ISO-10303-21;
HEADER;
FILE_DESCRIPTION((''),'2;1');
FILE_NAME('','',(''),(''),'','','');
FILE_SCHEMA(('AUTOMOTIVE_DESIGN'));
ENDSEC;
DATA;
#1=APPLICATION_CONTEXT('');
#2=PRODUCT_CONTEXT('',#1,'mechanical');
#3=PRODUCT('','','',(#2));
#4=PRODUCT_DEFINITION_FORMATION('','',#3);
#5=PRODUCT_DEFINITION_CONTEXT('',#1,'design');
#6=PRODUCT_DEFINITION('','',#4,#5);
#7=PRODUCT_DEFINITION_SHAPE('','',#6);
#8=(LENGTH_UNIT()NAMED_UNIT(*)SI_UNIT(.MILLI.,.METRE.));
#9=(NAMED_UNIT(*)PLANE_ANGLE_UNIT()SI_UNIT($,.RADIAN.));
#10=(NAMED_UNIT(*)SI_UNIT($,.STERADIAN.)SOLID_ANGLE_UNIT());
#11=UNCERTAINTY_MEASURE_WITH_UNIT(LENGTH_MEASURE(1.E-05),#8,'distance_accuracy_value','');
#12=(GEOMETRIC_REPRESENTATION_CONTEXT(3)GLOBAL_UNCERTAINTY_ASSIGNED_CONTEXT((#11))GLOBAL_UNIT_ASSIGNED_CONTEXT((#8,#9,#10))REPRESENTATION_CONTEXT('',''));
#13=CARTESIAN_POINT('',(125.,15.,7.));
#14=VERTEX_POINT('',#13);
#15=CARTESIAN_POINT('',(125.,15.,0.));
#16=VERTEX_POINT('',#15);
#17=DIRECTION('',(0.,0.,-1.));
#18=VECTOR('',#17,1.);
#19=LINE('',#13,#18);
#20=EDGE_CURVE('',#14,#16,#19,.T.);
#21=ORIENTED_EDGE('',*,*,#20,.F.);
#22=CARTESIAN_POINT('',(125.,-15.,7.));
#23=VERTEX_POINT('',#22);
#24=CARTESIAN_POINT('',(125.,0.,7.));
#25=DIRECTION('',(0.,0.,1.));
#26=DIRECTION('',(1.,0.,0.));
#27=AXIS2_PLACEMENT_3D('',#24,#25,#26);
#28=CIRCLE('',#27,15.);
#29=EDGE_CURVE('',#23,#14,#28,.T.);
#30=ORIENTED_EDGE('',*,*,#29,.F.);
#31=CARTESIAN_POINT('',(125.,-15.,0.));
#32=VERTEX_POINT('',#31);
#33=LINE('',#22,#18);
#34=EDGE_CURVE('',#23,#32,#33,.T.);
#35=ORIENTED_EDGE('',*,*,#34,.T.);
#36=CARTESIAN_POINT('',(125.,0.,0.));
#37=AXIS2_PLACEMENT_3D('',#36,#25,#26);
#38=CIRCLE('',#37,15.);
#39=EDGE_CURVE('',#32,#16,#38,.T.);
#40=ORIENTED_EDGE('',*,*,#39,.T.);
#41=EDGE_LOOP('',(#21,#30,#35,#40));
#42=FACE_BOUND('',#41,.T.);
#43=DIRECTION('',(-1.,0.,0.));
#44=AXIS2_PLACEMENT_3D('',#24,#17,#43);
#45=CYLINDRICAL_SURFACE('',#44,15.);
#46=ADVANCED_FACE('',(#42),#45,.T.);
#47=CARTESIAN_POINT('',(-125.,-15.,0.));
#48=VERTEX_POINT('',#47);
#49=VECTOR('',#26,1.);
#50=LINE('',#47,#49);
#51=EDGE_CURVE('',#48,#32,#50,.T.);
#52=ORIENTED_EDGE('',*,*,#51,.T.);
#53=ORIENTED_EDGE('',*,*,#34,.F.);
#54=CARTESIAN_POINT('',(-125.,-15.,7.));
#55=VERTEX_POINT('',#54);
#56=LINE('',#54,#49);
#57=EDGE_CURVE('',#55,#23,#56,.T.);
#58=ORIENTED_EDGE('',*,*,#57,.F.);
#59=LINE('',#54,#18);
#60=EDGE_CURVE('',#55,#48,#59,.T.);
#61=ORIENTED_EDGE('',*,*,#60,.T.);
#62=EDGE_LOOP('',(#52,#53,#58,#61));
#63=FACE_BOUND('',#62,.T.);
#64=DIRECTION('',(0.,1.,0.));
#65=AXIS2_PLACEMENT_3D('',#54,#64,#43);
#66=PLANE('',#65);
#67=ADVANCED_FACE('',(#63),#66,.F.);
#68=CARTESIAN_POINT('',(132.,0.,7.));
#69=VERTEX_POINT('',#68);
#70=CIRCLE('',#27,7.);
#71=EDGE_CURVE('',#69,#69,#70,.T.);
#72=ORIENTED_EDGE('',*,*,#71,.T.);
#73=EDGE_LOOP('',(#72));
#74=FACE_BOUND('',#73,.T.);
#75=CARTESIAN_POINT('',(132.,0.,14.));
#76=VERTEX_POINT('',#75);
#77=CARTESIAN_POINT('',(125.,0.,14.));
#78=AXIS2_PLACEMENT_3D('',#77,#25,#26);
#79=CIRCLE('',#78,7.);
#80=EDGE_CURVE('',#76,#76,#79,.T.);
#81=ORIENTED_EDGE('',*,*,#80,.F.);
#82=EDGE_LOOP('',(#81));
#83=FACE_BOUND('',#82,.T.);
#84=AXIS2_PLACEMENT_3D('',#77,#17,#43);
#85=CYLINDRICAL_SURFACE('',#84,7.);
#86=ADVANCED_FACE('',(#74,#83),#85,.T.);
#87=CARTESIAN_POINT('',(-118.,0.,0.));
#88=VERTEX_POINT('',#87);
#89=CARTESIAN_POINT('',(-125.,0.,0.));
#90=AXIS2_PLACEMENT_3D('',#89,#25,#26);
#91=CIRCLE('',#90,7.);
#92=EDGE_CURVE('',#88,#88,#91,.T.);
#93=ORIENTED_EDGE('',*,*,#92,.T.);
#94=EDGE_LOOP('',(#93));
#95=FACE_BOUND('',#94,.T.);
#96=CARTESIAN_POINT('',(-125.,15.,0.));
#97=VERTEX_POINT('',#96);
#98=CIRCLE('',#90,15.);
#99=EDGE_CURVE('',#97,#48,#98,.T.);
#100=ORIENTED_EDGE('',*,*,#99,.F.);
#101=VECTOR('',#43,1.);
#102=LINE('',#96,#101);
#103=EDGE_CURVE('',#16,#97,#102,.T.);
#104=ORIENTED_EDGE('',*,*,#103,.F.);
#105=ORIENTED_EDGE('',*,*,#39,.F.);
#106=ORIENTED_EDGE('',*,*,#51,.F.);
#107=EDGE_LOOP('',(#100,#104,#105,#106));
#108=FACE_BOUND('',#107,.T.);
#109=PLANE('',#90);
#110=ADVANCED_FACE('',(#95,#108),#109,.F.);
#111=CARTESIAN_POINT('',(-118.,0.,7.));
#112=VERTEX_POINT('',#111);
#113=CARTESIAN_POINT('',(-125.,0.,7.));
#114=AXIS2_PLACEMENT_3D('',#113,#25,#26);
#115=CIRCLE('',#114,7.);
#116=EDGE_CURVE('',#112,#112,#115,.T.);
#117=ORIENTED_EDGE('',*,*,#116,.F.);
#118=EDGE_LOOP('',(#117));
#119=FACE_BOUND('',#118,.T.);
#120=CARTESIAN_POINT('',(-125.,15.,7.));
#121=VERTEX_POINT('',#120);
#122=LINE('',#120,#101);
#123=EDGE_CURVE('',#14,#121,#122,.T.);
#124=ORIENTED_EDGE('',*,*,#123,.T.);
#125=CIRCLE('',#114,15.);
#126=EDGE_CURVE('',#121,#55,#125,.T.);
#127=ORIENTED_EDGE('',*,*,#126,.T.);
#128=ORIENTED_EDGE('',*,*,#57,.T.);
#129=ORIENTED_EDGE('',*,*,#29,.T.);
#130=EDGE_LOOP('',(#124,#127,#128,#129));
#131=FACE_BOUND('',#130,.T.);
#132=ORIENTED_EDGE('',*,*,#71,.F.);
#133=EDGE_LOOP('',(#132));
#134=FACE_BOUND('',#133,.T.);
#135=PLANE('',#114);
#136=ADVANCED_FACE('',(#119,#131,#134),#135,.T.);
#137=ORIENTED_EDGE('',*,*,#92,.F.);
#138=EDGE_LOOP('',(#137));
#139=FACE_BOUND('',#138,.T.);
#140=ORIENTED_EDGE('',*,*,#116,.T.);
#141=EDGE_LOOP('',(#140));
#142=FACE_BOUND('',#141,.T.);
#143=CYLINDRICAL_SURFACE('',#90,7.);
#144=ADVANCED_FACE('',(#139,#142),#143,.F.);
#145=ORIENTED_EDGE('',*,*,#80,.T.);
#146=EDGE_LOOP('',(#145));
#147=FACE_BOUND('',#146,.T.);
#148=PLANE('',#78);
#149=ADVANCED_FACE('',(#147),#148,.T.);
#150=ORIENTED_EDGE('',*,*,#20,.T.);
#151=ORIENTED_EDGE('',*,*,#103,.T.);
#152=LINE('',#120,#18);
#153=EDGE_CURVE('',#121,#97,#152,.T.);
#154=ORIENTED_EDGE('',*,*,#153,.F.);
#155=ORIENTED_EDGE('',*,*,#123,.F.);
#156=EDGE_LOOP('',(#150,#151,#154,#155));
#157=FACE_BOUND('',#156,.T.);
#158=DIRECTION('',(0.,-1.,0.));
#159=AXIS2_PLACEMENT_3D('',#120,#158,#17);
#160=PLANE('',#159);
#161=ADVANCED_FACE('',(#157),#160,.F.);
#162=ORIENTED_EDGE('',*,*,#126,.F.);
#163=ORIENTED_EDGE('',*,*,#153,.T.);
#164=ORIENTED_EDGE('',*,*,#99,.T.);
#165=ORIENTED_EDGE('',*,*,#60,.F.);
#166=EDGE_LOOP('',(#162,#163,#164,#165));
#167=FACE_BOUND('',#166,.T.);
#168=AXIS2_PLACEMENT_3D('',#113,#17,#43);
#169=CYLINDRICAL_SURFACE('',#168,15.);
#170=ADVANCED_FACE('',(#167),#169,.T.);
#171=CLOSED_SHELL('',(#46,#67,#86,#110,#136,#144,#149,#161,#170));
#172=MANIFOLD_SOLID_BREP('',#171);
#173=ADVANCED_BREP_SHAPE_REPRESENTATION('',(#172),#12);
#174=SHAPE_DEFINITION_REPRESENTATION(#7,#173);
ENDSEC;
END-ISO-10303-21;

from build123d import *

# Parameters (mm, degrees)
BOSS_EXTRUDE1_DEPTH = 7
SKETCH2_R           = 7
BOSS_EXTRUDE2_DEPTH = 7
SKETCH3_R           = 7
CUT_EXTRUDE1_DEPTH  = 7


with BuildPart() as part:
    # Sketch1 → Boss-Extrude1 (new body)
    with BuildSketch(Plane.XY):
        with BuildLine():
            Line((-125, 15), (125, 15))
            ThreePointArc((125, 15), (140, 0), (125, -15))
            Line((125, -15), (-125, -15))
            ThreePointArc((-125, -15), (-140, 0), (-125, 15))
        make_face()
    extrude(amount=BOSS_EXTRUDE1_DEPTH)

    # Sketch2 → Boss-Extrude2 (add)
    with BuildSketch(Plane.XY.offset(7)):
        with Locations((125, 0)):
            Circle(SKETCH2_R)
    extrude(amount=BOSS_EXTRUDE2_DEPTH)

    # Sketch3 → Cut-Extrude1 (cut)
    with BuildSketch(Plane.XY.offset(7)):
        with Locations((-125, 0)):
            Circle(SKETCH3_R)
    extrude(amount=-CUT_EXTRUDE1_DEPTH, mode=Mode.SUBTRACT)


solid = part.part
